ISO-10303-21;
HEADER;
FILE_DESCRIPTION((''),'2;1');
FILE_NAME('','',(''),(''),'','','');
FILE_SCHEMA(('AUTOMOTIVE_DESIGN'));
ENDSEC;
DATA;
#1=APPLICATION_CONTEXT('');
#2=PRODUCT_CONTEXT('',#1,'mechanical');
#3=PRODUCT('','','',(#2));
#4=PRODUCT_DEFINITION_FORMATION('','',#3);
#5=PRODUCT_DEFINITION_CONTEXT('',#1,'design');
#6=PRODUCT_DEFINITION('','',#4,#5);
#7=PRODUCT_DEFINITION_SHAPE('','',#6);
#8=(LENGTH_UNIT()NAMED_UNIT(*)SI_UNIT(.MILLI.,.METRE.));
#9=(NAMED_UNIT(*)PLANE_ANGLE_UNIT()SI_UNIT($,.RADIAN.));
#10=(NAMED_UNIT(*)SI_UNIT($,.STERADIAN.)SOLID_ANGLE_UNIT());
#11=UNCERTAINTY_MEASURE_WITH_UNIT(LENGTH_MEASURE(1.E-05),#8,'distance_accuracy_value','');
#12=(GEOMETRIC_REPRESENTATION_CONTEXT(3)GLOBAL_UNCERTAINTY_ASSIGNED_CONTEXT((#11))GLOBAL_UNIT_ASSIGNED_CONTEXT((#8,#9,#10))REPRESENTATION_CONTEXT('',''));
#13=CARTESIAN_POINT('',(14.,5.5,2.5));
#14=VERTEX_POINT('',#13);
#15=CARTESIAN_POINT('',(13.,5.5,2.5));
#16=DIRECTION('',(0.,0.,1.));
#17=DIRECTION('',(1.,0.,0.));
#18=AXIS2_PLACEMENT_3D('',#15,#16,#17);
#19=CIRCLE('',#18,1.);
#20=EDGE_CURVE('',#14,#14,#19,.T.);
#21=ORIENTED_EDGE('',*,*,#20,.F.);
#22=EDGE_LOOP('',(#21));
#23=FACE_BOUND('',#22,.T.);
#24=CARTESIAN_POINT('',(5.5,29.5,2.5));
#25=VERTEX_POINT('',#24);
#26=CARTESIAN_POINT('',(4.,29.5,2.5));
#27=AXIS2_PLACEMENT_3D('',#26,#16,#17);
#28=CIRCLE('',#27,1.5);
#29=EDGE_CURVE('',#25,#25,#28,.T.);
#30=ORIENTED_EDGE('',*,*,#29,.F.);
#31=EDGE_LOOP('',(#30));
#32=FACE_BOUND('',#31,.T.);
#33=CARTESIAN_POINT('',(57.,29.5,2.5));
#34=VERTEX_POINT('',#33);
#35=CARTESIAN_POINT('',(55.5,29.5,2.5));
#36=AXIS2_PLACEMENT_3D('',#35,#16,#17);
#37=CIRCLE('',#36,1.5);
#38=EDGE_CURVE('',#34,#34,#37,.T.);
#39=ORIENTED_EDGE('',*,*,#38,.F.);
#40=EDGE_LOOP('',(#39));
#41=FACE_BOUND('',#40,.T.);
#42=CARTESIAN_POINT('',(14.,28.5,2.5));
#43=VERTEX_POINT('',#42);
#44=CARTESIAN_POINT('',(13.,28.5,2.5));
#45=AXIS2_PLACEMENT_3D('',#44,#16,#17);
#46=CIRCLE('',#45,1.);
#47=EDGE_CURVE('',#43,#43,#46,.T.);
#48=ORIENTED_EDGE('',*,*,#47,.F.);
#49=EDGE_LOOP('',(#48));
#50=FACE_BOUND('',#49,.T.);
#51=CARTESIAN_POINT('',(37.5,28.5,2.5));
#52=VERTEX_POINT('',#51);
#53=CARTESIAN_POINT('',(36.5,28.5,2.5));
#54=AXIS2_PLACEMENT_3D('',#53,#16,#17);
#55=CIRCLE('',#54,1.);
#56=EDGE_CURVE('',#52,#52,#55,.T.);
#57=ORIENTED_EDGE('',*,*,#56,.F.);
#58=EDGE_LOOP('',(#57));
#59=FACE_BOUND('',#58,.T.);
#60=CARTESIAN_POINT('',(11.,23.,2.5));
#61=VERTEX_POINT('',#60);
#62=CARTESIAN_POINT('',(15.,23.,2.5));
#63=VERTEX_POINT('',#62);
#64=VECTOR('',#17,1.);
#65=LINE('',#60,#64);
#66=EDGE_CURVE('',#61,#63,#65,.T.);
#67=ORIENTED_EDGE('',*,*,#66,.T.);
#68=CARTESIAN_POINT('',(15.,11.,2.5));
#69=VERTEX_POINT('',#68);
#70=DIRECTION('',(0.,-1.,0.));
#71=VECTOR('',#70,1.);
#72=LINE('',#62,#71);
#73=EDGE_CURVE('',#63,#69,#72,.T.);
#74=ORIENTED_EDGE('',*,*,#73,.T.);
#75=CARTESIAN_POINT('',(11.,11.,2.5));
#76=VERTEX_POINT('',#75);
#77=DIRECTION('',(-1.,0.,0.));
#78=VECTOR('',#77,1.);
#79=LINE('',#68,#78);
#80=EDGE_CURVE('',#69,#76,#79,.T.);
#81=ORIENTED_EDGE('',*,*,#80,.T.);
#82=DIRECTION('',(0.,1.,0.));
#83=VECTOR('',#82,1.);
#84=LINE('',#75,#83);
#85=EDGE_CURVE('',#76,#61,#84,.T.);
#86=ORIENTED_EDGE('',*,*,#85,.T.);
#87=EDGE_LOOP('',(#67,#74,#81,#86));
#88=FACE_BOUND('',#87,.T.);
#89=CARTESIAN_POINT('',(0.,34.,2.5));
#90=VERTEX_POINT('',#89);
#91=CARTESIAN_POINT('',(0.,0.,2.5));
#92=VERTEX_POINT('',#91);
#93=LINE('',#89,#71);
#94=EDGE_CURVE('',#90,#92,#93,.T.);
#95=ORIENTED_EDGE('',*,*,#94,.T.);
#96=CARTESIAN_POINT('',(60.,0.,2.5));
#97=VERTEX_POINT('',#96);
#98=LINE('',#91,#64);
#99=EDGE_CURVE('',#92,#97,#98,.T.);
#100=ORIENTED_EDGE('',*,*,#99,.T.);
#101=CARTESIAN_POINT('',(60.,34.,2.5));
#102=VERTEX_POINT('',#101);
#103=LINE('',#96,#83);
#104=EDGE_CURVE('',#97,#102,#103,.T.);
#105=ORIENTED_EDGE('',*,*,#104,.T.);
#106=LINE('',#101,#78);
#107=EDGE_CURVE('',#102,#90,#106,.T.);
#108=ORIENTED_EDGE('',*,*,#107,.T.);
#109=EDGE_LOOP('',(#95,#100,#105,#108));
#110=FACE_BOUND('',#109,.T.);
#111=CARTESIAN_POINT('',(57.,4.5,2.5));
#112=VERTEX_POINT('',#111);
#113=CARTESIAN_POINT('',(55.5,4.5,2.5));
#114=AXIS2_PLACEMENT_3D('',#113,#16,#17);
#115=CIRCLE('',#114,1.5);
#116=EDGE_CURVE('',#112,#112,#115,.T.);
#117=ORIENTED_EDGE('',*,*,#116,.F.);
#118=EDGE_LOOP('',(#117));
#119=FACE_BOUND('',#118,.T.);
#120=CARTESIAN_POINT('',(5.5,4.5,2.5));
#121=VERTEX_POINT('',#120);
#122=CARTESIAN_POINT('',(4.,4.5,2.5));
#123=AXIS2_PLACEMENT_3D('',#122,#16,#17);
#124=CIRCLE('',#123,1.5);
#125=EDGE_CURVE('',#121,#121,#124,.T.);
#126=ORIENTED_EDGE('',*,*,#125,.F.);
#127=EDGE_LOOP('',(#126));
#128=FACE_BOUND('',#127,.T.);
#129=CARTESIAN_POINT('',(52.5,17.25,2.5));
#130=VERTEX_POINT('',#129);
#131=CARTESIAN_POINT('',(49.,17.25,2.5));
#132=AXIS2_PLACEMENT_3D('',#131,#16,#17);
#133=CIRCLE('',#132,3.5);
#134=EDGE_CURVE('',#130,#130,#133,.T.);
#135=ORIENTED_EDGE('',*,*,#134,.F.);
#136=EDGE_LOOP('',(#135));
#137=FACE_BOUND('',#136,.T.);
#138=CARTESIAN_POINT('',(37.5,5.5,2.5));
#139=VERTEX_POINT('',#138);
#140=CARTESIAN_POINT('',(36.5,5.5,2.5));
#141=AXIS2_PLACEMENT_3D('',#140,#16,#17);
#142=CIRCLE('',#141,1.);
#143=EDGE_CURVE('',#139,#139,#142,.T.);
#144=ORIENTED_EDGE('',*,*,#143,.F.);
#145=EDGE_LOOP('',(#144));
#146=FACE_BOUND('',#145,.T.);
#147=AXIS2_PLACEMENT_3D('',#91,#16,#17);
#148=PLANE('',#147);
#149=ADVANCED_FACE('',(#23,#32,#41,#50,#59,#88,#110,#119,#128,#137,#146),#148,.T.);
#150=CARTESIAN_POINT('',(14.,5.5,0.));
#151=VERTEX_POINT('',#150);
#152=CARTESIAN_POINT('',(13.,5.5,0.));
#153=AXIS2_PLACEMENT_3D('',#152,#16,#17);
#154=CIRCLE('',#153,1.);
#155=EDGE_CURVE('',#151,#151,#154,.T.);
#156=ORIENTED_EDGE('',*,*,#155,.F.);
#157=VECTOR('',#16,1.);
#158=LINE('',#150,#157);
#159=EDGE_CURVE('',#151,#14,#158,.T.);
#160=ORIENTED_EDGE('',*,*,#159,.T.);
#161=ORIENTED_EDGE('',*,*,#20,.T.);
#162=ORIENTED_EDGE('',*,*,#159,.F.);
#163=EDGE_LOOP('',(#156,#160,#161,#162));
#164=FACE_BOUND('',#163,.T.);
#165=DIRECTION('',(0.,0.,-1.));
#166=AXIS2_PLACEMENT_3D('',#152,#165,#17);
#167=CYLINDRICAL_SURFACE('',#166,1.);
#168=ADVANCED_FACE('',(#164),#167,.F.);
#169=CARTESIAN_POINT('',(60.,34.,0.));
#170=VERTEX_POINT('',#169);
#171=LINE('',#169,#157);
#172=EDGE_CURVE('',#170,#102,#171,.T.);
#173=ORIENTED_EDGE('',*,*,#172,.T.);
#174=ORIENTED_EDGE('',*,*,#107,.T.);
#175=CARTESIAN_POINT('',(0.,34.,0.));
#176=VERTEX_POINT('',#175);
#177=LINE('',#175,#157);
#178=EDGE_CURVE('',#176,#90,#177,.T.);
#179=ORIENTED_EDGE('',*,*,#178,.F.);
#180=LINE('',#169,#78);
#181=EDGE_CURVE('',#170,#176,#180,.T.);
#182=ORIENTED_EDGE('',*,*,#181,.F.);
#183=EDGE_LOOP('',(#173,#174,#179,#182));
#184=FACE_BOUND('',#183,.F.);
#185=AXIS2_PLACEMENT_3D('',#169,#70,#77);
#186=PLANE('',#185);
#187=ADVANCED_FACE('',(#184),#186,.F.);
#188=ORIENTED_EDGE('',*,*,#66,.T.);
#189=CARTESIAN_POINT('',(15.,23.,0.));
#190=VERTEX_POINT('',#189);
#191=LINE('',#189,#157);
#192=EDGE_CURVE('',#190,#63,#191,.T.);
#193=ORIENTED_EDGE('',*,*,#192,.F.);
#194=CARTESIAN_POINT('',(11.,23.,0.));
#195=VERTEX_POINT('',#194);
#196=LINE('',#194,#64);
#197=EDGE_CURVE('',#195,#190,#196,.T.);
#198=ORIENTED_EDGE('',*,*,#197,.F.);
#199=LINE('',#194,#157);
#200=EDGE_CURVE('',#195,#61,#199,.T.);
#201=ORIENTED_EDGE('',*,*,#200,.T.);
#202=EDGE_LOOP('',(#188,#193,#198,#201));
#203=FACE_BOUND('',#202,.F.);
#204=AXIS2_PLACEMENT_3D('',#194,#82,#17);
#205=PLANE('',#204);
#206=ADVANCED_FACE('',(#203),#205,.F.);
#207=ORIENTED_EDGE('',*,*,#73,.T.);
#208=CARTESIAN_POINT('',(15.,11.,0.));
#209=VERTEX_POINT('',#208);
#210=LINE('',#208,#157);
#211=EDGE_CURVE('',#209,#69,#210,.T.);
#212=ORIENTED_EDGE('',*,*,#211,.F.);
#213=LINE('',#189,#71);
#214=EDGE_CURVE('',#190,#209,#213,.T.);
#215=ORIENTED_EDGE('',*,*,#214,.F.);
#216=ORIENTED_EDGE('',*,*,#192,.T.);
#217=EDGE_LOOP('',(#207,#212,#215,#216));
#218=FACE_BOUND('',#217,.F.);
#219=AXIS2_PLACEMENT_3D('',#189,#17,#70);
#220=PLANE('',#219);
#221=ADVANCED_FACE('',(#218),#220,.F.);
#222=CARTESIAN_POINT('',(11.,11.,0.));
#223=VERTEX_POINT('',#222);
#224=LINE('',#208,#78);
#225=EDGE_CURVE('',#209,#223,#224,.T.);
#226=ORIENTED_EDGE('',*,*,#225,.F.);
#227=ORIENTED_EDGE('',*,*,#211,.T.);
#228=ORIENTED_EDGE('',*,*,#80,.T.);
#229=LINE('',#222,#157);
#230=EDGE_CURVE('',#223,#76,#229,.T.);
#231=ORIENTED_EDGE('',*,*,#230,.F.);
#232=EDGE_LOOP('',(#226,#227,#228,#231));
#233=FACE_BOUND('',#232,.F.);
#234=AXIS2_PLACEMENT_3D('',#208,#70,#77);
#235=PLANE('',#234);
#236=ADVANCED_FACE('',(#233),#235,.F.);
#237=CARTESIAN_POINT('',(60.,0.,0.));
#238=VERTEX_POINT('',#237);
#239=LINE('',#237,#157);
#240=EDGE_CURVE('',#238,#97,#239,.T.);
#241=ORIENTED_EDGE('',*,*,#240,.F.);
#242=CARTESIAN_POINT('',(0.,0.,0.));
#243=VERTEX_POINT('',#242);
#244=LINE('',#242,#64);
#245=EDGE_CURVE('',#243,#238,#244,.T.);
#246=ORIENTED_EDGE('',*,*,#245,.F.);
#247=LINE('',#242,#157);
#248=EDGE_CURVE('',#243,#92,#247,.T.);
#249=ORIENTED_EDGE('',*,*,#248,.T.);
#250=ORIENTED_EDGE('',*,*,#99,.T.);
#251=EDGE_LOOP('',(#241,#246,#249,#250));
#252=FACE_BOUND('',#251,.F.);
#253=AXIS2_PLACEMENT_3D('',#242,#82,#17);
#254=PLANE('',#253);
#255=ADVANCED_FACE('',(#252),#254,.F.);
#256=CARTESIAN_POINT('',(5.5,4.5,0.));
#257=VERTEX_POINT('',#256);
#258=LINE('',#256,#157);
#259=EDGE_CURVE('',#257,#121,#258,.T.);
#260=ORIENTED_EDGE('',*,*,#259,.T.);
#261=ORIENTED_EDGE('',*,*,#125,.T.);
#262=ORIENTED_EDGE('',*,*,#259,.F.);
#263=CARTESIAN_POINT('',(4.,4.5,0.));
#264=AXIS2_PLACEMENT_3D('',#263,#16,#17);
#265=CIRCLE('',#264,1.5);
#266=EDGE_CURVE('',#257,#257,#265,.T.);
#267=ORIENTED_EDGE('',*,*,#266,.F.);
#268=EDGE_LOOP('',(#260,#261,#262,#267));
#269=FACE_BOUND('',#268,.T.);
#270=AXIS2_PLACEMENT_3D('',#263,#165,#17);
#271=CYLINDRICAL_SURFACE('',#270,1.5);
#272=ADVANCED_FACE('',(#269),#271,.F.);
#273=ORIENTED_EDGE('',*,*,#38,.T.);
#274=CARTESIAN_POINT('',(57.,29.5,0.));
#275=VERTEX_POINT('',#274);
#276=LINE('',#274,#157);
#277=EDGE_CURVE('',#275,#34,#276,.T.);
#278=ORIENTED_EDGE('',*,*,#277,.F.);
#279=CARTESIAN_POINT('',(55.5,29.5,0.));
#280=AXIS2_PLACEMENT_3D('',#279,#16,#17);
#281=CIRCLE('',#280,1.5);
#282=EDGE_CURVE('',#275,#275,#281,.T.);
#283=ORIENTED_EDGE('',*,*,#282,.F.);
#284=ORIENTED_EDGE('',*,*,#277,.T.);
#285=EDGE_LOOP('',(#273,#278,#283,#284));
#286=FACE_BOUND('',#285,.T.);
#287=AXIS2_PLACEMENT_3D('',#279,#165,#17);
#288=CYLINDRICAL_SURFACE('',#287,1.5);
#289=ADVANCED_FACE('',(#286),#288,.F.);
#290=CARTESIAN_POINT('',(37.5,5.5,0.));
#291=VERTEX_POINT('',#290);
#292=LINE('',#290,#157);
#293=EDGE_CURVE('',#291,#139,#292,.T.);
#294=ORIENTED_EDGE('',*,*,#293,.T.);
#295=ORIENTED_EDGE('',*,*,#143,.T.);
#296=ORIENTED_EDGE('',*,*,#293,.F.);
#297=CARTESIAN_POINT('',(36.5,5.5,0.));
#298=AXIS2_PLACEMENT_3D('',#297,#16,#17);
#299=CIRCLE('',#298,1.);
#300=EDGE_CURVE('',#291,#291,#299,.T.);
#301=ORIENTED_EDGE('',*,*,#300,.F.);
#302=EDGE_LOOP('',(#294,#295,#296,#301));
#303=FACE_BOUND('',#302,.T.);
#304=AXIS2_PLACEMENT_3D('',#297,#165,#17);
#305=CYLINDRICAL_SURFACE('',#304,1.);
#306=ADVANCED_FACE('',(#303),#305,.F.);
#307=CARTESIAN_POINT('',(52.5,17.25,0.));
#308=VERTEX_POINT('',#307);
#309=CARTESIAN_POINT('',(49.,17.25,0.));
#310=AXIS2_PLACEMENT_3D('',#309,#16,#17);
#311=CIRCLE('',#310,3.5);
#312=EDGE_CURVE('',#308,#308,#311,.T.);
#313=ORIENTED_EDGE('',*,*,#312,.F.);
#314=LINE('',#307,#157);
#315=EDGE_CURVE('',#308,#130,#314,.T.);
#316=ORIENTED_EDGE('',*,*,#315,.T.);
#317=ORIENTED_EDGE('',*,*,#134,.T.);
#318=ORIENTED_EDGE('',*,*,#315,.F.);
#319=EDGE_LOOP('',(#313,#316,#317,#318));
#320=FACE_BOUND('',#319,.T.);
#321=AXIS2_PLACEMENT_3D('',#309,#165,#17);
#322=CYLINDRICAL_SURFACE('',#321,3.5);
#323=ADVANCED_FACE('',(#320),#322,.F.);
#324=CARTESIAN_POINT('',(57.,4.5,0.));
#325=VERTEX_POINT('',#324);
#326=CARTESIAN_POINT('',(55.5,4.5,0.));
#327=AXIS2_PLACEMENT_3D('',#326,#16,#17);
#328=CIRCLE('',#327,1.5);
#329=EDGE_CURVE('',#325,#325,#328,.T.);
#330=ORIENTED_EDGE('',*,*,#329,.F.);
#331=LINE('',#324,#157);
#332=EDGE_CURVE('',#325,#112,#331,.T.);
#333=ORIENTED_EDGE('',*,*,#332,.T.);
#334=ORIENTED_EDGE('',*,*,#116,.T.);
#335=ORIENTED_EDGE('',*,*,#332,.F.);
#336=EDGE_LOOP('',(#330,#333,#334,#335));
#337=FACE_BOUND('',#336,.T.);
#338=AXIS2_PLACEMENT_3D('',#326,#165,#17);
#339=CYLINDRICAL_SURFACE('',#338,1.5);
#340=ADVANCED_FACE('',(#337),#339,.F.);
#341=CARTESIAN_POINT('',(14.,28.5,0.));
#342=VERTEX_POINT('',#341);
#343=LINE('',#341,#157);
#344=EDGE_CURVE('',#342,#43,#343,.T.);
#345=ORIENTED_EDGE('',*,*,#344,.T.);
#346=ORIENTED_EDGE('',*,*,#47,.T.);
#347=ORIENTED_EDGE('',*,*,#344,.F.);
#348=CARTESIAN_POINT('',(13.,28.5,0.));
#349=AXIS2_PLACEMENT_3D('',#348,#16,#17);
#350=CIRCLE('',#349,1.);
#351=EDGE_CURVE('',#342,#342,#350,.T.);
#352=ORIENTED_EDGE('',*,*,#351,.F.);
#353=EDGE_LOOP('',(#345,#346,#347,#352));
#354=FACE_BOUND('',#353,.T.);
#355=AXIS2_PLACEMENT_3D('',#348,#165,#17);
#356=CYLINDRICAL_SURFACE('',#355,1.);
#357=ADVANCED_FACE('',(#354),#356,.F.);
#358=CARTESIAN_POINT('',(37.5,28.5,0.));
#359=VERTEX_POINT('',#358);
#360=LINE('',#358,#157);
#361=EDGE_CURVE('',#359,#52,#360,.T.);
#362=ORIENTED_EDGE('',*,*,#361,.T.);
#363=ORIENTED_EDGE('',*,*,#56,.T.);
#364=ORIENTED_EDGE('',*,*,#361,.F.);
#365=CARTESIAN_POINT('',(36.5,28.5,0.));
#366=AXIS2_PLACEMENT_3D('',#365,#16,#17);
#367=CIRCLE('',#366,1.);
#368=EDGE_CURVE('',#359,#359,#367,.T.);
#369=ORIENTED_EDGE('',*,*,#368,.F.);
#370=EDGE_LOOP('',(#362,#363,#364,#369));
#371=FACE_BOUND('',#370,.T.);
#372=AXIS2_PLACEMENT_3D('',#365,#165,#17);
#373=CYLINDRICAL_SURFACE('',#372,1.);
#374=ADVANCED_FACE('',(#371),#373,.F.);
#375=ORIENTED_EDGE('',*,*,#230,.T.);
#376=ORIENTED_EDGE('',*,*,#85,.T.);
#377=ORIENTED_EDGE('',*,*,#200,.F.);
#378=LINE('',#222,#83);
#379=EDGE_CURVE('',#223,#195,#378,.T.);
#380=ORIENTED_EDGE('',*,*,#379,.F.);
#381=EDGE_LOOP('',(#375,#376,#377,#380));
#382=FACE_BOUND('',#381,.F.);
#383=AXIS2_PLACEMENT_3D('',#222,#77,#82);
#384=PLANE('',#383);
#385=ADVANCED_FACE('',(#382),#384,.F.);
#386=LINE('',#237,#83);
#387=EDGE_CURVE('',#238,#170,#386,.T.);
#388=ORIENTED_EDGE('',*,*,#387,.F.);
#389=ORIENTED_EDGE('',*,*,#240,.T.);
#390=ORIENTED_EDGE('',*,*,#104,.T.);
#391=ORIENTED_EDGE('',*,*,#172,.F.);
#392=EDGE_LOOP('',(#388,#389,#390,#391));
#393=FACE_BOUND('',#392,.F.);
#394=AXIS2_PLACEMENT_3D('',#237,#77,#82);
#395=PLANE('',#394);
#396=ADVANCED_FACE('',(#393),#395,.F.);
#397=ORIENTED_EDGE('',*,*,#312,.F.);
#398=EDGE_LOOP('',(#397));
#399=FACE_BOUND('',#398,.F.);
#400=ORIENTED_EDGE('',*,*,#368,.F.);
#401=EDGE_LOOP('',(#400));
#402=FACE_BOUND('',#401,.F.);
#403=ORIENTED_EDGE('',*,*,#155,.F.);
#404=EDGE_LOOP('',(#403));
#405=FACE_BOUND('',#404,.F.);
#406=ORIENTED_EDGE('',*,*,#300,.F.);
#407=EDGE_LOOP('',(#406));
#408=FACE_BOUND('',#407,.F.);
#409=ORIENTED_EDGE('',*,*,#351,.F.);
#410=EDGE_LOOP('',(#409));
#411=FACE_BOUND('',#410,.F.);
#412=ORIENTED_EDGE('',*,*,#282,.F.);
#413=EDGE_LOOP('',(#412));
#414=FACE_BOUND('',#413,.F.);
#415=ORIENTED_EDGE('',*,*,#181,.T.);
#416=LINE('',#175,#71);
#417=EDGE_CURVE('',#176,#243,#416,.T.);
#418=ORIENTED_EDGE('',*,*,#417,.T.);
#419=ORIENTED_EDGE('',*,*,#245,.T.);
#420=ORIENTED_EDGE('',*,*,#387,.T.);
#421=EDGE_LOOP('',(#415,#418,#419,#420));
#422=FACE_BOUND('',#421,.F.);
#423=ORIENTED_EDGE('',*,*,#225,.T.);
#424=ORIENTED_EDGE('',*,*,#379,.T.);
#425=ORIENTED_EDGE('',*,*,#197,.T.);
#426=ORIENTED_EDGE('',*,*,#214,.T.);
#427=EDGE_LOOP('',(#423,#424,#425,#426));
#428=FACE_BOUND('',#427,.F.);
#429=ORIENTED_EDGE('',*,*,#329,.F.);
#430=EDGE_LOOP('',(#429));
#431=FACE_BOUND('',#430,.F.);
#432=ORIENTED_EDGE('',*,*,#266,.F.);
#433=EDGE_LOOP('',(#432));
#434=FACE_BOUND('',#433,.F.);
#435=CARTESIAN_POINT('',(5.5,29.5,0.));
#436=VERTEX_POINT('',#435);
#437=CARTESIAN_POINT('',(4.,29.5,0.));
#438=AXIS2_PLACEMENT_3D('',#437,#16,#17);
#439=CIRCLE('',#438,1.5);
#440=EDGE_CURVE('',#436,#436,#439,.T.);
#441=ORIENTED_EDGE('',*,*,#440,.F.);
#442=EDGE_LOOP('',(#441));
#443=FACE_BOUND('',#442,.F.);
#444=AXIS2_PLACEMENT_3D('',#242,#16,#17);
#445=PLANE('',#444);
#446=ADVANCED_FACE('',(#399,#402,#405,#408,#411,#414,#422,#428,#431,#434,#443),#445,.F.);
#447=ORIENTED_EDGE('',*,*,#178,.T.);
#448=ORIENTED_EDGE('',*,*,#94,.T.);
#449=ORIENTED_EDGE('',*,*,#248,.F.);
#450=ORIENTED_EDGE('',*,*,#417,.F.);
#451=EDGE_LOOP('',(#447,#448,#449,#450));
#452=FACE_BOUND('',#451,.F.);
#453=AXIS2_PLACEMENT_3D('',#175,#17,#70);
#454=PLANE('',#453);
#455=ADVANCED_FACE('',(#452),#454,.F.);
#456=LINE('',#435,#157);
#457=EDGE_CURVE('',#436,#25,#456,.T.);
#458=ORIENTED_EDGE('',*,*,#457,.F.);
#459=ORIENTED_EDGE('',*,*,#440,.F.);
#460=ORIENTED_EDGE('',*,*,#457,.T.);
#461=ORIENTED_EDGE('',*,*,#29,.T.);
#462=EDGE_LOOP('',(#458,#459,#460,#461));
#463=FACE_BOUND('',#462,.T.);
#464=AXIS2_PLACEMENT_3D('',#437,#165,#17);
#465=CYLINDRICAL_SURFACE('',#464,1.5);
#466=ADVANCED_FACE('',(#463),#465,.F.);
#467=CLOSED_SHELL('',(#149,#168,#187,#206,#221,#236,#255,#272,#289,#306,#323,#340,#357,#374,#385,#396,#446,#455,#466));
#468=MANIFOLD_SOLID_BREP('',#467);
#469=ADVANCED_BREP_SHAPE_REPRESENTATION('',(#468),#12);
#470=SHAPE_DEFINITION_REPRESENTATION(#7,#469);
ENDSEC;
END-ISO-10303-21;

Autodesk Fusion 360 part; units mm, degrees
sketch "Skizze1" plane through (0, 0, 0) normal (0, 0, 1) x (1, 0, 0)
  line L0 (0, 0) -> (60, 0)
  line L1 (60, 0) -> (60, 34)
  line L2 (60, 34) -> (0, 34)
  line L3 (0, 34) -> (0, 0)
  circle A0 centre (4, 4.5) radius 1.5
  circle A1 centre (55.5, 4.5) radius 1.5
  circle A2 centre (55.5, 4.5) radius 1.5
  circle A3 centre (4, 4.5) radius 1.5
  line L4 (0, 0) -> (60, 0)
  circle A4 centre (55.5, 29.5) radius 1.5
  circle A5 centre (4, 29.5) radius 1.5
  circle A6 centre (55.5, 29.5) radius 1.5
  circle A7 centre (4, 29.5) radius 1.5
  circle A8 centre (13, 28.5) radius 1
  circle A9 centre (13, 5.5) radius 1
  circle A10 centre (36.5, 5.5) radius 1
  circle A11 centre (36.5, 28.5) radius 1
  line L5 (11, 23) -> (15, 23)
  line L6 (15, 23) -> (15, 11)
  line L7 (15, 11) -> (11, 11)
  line L8 (11, 11) -> (11, 23)
  circle A12 centre (49, 17.25) radius 3.5
  point P0 (51.5, 0)
  point P1 (51.5, 0)
  point P2 (51.5, 0)
  point P3 (51.5, 0)
  dimension "d1" = 60
  dimension "d2" = 34
  dimension "d3" = 3
  dimension "d4" = 3
  dimension "d5" = 60
  dimension "d6" = 3
  dimension "d7" = 3
  dimension "d8" = 3
  dimension "d9" = 3
  dimension "d10" = 3
  dimension "d11" = 3
  dimension "d12" = 2
  dimension "d13" = 2
  dimension "d14" = 2
  dimension "d15" = 2
  dimension "d16" = 7
extrude "Extrusion1" add sketch "Skizze1" along normal blind 2.5
